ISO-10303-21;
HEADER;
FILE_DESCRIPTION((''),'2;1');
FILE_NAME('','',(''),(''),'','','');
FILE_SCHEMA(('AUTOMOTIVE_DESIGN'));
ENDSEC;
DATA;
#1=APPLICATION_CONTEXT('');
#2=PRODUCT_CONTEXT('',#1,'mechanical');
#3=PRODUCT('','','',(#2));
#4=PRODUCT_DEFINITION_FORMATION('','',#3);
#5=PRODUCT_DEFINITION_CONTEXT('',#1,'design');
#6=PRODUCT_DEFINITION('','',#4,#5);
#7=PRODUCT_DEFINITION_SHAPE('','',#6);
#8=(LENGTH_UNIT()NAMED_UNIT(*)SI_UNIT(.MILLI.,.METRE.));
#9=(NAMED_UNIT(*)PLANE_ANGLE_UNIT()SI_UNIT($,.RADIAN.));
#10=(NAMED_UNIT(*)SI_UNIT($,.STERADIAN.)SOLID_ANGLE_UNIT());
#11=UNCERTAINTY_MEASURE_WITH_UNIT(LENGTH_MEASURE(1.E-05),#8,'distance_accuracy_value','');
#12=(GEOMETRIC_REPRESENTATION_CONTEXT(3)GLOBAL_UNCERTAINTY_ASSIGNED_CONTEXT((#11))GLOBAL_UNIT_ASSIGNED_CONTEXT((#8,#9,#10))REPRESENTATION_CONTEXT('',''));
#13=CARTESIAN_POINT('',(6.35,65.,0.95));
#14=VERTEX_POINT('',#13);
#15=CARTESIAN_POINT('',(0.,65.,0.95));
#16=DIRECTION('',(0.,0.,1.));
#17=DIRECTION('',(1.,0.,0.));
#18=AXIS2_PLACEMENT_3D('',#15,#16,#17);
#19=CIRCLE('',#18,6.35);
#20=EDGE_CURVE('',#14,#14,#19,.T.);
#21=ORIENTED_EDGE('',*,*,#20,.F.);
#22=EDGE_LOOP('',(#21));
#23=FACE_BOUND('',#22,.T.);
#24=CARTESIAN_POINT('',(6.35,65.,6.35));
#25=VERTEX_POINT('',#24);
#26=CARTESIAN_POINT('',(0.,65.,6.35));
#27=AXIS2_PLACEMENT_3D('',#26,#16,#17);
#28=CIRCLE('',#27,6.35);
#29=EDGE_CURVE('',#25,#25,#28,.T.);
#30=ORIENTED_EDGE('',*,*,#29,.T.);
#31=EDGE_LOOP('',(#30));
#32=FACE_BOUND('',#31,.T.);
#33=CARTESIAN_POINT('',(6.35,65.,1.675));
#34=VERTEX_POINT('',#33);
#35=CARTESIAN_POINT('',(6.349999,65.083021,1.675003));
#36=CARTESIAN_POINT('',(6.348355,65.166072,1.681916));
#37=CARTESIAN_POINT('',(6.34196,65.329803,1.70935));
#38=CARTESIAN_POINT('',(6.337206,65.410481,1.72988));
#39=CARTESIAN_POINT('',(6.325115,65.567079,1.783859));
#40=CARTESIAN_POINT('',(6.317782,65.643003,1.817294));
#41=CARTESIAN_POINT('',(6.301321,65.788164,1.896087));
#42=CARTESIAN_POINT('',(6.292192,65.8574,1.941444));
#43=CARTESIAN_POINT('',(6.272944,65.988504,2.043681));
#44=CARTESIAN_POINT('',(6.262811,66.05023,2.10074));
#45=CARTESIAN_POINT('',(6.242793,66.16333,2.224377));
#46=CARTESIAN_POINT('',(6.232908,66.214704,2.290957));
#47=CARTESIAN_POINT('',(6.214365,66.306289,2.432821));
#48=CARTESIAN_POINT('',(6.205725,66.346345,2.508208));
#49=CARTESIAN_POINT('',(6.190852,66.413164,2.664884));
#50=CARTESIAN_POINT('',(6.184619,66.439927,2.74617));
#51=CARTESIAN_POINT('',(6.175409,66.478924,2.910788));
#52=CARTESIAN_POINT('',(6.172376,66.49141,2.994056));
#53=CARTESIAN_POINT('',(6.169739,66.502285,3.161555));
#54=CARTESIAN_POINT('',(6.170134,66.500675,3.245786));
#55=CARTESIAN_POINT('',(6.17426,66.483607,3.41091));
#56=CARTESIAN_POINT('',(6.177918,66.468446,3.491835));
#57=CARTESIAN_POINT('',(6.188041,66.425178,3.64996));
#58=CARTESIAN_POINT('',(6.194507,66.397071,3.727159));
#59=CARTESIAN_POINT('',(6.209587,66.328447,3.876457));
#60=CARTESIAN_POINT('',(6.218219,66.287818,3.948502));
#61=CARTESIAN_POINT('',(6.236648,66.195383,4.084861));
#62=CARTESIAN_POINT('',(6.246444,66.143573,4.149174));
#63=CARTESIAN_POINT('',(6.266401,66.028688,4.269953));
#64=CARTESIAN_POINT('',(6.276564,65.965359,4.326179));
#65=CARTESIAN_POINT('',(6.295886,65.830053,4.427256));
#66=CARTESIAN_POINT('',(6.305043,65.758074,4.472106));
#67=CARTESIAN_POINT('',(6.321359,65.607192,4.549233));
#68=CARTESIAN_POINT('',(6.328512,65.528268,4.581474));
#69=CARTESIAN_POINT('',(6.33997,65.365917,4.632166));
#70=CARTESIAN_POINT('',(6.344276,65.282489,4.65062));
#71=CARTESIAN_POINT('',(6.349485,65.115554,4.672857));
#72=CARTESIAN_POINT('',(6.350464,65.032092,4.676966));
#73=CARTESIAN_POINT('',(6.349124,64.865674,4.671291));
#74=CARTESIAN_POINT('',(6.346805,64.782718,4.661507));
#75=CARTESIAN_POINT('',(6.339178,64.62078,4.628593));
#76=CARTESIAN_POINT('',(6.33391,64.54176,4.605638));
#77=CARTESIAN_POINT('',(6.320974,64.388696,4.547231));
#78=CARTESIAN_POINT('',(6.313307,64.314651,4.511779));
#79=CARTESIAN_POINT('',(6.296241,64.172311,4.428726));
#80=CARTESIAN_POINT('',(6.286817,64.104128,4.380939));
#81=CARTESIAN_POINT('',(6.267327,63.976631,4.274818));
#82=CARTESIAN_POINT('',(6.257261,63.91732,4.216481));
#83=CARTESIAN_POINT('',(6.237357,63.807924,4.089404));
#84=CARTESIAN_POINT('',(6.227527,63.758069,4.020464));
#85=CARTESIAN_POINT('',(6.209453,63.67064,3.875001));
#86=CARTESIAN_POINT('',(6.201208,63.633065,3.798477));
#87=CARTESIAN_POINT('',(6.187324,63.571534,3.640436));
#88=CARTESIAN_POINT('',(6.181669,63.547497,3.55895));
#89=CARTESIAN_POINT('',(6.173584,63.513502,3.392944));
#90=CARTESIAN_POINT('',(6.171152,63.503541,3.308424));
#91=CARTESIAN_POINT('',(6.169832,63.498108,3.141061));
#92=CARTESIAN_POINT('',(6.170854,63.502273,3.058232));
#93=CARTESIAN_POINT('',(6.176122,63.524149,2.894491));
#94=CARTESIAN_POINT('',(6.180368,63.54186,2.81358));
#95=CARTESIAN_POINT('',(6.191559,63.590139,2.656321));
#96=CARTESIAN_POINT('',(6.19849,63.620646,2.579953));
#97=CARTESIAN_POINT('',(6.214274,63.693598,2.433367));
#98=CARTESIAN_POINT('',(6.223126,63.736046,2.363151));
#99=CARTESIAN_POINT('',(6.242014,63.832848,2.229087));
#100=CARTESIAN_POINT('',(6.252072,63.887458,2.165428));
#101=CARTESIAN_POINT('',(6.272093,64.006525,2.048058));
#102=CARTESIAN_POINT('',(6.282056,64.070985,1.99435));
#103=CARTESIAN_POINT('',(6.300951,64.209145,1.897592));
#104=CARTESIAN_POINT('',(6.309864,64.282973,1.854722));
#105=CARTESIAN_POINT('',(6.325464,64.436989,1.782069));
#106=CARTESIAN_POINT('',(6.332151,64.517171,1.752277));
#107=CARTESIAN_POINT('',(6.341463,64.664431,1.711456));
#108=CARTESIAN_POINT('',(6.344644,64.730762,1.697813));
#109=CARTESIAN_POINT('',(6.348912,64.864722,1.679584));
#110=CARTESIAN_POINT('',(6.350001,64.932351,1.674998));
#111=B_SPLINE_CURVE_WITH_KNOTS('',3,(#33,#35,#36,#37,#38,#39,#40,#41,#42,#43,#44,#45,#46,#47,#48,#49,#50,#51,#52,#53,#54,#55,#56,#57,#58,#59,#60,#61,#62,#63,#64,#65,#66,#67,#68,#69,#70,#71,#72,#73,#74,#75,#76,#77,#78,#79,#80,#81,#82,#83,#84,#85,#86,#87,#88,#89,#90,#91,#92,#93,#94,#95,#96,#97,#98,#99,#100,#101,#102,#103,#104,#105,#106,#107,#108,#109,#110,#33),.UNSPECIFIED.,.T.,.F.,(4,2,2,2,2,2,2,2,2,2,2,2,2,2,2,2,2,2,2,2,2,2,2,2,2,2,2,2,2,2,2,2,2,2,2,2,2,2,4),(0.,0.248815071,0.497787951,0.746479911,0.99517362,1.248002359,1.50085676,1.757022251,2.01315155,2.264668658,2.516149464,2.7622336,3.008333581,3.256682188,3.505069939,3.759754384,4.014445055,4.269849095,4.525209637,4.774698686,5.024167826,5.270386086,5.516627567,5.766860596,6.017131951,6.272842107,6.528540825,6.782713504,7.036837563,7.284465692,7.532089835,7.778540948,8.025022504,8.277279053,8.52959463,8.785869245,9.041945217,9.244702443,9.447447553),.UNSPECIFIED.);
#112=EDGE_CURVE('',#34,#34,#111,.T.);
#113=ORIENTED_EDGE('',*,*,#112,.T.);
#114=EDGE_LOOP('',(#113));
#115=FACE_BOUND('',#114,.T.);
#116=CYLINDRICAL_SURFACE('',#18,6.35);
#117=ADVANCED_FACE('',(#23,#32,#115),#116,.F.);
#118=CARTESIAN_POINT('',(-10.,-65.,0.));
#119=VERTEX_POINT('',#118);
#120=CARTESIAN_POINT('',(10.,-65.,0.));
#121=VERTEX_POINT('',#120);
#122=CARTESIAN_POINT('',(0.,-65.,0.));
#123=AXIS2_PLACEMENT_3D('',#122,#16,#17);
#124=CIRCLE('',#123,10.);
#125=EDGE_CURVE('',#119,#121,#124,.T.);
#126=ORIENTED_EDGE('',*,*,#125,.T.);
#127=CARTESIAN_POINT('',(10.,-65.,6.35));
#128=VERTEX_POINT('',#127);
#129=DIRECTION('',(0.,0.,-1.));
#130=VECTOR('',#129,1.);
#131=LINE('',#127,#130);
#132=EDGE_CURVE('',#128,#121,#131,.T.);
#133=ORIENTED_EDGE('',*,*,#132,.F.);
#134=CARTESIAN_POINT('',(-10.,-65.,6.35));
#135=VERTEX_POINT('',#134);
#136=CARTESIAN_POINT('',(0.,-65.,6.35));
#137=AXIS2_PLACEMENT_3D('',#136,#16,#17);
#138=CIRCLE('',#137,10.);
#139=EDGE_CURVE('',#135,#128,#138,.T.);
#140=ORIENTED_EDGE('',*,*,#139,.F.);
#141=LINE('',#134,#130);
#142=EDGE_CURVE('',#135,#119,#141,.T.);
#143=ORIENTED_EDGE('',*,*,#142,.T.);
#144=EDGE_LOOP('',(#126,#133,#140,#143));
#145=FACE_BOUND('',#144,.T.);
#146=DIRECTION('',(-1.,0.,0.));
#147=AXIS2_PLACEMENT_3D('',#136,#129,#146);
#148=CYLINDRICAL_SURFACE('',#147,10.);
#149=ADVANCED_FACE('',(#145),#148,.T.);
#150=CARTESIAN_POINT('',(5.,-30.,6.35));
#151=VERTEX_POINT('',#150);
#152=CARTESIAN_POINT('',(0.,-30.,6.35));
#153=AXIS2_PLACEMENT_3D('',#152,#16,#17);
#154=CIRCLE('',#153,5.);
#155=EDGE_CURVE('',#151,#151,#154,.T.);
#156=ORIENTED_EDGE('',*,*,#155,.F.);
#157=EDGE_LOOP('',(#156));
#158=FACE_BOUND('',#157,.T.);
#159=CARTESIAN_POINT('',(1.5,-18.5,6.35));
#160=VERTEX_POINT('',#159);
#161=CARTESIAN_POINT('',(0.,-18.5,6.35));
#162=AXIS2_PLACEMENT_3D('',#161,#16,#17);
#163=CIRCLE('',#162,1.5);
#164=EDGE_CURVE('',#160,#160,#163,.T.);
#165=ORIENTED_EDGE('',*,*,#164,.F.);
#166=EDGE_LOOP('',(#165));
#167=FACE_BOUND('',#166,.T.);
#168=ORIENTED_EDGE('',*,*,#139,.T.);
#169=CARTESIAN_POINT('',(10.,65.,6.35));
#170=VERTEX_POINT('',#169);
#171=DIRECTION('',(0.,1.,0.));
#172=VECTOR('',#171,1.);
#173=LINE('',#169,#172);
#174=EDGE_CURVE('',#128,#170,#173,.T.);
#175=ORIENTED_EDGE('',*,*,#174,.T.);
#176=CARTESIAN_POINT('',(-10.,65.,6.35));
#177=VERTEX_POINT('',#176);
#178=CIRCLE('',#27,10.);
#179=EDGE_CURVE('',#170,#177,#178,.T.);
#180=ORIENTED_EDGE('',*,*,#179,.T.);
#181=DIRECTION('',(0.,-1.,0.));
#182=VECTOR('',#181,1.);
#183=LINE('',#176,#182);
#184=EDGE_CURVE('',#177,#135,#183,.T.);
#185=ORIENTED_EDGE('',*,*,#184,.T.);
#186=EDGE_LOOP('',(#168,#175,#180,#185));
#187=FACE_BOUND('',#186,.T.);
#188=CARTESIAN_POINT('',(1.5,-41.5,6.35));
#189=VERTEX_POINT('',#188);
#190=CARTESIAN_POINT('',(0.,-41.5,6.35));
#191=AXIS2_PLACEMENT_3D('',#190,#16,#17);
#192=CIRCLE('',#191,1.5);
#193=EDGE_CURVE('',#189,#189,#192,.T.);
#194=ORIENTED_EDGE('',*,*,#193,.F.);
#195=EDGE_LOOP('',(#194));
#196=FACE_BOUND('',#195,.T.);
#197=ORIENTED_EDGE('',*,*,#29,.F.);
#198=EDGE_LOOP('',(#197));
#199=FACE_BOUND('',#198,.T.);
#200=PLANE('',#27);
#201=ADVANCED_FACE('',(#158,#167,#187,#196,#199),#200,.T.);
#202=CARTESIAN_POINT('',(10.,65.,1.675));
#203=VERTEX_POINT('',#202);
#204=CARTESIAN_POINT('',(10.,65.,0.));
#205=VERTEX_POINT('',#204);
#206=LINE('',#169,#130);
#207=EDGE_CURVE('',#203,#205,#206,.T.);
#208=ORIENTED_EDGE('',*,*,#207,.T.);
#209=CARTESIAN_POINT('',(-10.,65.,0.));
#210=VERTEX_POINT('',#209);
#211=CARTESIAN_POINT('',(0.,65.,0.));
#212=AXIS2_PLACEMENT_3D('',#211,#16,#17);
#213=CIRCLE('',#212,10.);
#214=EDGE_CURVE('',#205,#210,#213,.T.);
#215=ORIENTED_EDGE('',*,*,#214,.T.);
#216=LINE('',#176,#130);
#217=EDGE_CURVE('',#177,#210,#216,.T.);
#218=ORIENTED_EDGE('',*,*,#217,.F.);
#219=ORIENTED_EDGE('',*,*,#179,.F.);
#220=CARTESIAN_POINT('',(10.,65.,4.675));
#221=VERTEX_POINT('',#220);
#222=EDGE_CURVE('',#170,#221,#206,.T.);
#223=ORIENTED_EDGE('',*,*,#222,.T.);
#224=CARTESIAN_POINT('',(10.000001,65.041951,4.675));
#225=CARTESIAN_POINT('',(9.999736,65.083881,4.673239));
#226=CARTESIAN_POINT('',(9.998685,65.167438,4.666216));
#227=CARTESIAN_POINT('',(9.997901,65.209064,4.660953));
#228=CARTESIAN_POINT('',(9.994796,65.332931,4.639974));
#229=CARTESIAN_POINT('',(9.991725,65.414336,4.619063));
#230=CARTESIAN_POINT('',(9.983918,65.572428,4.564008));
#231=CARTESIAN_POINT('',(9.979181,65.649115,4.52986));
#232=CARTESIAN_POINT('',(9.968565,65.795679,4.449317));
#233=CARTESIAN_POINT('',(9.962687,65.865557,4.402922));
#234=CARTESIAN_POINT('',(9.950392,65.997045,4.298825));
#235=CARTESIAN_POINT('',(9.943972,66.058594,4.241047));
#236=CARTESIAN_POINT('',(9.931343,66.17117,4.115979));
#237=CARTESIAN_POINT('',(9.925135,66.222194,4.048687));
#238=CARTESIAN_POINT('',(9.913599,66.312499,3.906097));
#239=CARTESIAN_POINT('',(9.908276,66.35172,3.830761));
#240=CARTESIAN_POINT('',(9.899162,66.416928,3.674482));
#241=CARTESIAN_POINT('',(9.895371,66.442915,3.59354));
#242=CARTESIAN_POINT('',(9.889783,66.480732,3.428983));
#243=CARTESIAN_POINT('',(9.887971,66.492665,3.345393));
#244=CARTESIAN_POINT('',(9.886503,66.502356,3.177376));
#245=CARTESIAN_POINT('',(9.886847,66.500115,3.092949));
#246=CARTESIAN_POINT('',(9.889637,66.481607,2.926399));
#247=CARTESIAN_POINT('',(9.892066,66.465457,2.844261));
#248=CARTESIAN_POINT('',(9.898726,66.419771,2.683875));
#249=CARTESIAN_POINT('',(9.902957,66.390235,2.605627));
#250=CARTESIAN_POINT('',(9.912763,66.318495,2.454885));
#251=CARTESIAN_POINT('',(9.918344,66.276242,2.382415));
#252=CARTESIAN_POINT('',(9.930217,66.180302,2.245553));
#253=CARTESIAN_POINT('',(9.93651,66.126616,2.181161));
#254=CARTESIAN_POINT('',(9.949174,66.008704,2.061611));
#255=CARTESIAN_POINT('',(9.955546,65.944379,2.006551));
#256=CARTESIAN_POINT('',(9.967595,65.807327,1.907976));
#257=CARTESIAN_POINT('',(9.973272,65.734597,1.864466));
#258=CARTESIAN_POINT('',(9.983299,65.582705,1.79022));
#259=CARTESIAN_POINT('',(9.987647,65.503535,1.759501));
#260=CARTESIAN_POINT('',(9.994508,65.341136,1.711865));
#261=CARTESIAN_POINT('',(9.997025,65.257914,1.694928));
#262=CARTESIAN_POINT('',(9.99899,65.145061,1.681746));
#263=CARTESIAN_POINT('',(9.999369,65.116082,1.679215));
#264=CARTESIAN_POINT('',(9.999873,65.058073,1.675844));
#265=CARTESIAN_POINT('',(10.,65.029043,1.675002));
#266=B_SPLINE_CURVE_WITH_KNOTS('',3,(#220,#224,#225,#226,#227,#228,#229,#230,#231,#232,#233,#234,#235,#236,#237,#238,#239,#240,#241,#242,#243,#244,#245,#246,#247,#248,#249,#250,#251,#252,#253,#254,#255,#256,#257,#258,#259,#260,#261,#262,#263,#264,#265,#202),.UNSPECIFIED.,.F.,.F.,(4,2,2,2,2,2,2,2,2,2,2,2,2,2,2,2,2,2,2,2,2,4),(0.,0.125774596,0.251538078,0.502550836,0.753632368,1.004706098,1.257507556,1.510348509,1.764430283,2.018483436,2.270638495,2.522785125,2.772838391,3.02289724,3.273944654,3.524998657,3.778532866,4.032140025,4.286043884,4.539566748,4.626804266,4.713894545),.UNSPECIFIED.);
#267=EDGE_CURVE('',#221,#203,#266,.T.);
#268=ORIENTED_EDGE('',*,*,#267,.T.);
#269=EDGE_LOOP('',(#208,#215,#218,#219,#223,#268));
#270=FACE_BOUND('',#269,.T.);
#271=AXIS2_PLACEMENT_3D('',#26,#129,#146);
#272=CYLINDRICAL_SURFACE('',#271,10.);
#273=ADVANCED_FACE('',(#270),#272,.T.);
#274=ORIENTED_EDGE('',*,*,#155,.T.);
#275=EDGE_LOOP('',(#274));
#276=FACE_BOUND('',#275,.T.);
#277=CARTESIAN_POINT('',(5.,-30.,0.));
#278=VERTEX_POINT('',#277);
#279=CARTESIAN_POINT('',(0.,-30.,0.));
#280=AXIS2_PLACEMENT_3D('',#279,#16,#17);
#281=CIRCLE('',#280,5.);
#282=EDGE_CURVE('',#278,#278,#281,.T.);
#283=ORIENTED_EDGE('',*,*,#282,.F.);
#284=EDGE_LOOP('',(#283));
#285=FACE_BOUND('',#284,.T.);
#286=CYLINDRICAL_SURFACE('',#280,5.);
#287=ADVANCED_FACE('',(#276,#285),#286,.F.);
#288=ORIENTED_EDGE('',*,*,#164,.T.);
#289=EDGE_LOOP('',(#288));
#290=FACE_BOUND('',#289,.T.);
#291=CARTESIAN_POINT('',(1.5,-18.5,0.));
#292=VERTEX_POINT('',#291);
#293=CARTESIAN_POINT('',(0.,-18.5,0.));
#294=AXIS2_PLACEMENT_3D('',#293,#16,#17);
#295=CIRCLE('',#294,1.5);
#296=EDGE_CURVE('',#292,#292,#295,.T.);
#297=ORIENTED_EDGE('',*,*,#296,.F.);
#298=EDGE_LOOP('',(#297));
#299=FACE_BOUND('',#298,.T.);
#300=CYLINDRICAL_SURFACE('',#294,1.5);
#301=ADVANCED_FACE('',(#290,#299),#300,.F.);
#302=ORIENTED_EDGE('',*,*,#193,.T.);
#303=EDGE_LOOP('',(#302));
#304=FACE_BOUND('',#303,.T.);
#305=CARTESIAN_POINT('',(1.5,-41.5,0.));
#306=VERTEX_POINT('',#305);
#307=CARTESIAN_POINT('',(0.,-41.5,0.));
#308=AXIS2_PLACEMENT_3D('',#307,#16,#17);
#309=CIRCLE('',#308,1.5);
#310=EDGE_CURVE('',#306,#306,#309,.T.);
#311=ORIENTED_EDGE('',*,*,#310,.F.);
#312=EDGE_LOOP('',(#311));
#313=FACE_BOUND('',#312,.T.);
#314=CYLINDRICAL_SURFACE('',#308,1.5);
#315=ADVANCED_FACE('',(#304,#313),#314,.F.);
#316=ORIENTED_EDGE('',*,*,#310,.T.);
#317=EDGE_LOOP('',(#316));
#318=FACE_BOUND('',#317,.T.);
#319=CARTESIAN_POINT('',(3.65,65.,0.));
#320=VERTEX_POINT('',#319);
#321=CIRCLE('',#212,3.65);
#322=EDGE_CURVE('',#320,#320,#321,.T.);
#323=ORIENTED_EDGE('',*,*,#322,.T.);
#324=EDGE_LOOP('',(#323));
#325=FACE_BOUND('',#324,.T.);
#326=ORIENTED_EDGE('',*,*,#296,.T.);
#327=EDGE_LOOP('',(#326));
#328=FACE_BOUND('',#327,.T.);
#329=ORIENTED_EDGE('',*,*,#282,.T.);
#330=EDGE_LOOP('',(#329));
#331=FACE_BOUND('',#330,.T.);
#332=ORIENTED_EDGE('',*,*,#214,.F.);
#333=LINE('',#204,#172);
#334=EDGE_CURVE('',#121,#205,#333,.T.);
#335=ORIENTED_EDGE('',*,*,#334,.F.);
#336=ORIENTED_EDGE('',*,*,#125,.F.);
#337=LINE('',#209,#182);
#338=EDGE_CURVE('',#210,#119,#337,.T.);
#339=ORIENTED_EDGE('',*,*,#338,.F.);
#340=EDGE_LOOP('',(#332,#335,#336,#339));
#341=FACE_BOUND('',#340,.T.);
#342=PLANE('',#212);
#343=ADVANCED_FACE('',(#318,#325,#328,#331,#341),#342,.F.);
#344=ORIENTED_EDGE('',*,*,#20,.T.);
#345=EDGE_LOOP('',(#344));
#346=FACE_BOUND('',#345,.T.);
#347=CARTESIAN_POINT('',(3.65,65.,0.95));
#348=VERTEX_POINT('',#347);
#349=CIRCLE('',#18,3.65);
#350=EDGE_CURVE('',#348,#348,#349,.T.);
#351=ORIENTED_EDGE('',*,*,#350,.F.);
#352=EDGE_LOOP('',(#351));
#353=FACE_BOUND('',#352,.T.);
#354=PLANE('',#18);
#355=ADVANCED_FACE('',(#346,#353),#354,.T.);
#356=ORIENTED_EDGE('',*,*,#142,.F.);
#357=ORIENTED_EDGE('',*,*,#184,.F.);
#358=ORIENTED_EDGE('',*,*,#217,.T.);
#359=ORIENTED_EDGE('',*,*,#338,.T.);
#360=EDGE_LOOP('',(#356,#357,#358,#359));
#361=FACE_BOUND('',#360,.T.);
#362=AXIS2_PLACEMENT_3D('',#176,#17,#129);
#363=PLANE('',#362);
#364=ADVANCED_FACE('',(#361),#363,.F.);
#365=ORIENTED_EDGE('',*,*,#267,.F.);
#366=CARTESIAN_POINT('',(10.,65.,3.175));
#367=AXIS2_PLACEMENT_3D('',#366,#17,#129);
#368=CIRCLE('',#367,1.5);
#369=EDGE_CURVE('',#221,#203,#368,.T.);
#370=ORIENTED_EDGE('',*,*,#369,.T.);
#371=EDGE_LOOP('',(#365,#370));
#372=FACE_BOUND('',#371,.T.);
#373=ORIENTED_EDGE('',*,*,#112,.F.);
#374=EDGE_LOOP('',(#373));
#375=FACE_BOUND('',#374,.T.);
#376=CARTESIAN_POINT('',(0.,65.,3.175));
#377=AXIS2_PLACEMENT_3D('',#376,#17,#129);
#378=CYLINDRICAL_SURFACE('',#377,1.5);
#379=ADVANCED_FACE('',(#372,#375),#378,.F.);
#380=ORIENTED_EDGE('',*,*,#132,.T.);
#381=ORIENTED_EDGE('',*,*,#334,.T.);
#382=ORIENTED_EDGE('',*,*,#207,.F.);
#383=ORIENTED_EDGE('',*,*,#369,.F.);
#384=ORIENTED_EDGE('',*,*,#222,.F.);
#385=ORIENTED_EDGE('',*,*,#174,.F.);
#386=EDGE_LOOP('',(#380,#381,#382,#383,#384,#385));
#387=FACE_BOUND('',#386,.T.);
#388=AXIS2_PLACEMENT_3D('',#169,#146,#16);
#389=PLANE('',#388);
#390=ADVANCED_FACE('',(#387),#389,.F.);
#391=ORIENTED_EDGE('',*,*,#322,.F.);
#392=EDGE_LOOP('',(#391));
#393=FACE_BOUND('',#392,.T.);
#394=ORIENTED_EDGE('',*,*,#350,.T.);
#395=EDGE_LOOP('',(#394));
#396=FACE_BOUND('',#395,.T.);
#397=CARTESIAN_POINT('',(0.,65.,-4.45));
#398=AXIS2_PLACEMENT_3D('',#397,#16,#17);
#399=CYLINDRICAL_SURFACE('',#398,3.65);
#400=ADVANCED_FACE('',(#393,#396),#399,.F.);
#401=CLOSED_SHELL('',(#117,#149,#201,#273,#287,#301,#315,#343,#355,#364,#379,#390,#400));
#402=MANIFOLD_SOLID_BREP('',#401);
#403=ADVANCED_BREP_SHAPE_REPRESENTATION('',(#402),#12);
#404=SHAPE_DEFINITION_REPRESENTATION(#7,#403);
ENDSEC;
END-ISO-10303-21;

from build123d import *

# Parameters (mm, degrees)
SALIENTE_EXTRUIR1_DEPTH = 6.35
CROQUIS2_R              = 6.35
CORTAR_EXTRUIR1_DEPTH   = 5.4
CROQUIS3_R              = 3.65
CORTAR_EXTRUIR2_DEPTH   = 5.4
CROQUIS4_R              = 5
CROQUIS4_R_2            = 1.5
CORTAR_EXTRUIR3_DEPTH   = 7.35
CROQUIS5_R              = 1.5
CORTAR_EXTRUIR4_DEPTH   = 10


with BuildPart() as part:
    # Croquis1 → Saliente-Extruir1 (new body)
    with BuildSketch(Plane.XY):
        with BuildLine():
            Line((10, 65), (10, -65))
            ThreePointArc((10, -65), (0, -75), (-10, -65))
            Line((-10, -65), (-10, 65))
            ThreePointArc((-10, 65), (0, 75), (10, 65))
        make_face()
    extrude(amount=SALIENTE_EXTRUIR1_DEPTH)

    # Croquis2 → Cortar-Extruir1 (cut)
    with BuildSketch(Plane.XY.offset(6.35)):
        with Locations((0, 65)):
            Circle(CROQUIS2_R)
    extrude(amount=-CORTAR_EXTRUIR1_DEPTH, mode=Mode.SUBTRACT)

    # Croquis3 → Cortar-Extruir2 (cut)
    with BuildSketch(Plane.XY.offset(0.95)):
        with Locations((0, 65)):
            Circle(CROQUIS3_R)
    extrude(amount=-CORTAR_EXTRUIR2_DEPTH, mode=Mode.SUBTRACT)

    # Croquis4 → Cortar-Extruir3 (cut, through all)
    with BuildSketch(Plane.XY.offset(6.35)):
        with Locations((0, -30)):
            Circle(CROQUIS4_R)
        with Locations((0, -18.5)):
            Circle(CROQUIS4_R_2)
        with Locations((0, -41.5)):
            Circle(CROQUIS4_R_2)
    extrude(amount=-CORTAR_EXTRUIR3_DEPTH, mode=Mode.SUBTRACT)

    # Croquis5 → Cortar-Extruir4 (cut)
    with BuildSketch(Plane(origin=(10, 0, 0), x_dir=(0, 0, -1), z_dir=(1, 0, 0))):
        with Locations((-3.175, 65)):
            Circle(CROQUIS5_R)
    extrude(amount=-CORTAR_EXTRUIR4_DEPTH, mode=Mode.SUBTRACT)


solid = part.part
